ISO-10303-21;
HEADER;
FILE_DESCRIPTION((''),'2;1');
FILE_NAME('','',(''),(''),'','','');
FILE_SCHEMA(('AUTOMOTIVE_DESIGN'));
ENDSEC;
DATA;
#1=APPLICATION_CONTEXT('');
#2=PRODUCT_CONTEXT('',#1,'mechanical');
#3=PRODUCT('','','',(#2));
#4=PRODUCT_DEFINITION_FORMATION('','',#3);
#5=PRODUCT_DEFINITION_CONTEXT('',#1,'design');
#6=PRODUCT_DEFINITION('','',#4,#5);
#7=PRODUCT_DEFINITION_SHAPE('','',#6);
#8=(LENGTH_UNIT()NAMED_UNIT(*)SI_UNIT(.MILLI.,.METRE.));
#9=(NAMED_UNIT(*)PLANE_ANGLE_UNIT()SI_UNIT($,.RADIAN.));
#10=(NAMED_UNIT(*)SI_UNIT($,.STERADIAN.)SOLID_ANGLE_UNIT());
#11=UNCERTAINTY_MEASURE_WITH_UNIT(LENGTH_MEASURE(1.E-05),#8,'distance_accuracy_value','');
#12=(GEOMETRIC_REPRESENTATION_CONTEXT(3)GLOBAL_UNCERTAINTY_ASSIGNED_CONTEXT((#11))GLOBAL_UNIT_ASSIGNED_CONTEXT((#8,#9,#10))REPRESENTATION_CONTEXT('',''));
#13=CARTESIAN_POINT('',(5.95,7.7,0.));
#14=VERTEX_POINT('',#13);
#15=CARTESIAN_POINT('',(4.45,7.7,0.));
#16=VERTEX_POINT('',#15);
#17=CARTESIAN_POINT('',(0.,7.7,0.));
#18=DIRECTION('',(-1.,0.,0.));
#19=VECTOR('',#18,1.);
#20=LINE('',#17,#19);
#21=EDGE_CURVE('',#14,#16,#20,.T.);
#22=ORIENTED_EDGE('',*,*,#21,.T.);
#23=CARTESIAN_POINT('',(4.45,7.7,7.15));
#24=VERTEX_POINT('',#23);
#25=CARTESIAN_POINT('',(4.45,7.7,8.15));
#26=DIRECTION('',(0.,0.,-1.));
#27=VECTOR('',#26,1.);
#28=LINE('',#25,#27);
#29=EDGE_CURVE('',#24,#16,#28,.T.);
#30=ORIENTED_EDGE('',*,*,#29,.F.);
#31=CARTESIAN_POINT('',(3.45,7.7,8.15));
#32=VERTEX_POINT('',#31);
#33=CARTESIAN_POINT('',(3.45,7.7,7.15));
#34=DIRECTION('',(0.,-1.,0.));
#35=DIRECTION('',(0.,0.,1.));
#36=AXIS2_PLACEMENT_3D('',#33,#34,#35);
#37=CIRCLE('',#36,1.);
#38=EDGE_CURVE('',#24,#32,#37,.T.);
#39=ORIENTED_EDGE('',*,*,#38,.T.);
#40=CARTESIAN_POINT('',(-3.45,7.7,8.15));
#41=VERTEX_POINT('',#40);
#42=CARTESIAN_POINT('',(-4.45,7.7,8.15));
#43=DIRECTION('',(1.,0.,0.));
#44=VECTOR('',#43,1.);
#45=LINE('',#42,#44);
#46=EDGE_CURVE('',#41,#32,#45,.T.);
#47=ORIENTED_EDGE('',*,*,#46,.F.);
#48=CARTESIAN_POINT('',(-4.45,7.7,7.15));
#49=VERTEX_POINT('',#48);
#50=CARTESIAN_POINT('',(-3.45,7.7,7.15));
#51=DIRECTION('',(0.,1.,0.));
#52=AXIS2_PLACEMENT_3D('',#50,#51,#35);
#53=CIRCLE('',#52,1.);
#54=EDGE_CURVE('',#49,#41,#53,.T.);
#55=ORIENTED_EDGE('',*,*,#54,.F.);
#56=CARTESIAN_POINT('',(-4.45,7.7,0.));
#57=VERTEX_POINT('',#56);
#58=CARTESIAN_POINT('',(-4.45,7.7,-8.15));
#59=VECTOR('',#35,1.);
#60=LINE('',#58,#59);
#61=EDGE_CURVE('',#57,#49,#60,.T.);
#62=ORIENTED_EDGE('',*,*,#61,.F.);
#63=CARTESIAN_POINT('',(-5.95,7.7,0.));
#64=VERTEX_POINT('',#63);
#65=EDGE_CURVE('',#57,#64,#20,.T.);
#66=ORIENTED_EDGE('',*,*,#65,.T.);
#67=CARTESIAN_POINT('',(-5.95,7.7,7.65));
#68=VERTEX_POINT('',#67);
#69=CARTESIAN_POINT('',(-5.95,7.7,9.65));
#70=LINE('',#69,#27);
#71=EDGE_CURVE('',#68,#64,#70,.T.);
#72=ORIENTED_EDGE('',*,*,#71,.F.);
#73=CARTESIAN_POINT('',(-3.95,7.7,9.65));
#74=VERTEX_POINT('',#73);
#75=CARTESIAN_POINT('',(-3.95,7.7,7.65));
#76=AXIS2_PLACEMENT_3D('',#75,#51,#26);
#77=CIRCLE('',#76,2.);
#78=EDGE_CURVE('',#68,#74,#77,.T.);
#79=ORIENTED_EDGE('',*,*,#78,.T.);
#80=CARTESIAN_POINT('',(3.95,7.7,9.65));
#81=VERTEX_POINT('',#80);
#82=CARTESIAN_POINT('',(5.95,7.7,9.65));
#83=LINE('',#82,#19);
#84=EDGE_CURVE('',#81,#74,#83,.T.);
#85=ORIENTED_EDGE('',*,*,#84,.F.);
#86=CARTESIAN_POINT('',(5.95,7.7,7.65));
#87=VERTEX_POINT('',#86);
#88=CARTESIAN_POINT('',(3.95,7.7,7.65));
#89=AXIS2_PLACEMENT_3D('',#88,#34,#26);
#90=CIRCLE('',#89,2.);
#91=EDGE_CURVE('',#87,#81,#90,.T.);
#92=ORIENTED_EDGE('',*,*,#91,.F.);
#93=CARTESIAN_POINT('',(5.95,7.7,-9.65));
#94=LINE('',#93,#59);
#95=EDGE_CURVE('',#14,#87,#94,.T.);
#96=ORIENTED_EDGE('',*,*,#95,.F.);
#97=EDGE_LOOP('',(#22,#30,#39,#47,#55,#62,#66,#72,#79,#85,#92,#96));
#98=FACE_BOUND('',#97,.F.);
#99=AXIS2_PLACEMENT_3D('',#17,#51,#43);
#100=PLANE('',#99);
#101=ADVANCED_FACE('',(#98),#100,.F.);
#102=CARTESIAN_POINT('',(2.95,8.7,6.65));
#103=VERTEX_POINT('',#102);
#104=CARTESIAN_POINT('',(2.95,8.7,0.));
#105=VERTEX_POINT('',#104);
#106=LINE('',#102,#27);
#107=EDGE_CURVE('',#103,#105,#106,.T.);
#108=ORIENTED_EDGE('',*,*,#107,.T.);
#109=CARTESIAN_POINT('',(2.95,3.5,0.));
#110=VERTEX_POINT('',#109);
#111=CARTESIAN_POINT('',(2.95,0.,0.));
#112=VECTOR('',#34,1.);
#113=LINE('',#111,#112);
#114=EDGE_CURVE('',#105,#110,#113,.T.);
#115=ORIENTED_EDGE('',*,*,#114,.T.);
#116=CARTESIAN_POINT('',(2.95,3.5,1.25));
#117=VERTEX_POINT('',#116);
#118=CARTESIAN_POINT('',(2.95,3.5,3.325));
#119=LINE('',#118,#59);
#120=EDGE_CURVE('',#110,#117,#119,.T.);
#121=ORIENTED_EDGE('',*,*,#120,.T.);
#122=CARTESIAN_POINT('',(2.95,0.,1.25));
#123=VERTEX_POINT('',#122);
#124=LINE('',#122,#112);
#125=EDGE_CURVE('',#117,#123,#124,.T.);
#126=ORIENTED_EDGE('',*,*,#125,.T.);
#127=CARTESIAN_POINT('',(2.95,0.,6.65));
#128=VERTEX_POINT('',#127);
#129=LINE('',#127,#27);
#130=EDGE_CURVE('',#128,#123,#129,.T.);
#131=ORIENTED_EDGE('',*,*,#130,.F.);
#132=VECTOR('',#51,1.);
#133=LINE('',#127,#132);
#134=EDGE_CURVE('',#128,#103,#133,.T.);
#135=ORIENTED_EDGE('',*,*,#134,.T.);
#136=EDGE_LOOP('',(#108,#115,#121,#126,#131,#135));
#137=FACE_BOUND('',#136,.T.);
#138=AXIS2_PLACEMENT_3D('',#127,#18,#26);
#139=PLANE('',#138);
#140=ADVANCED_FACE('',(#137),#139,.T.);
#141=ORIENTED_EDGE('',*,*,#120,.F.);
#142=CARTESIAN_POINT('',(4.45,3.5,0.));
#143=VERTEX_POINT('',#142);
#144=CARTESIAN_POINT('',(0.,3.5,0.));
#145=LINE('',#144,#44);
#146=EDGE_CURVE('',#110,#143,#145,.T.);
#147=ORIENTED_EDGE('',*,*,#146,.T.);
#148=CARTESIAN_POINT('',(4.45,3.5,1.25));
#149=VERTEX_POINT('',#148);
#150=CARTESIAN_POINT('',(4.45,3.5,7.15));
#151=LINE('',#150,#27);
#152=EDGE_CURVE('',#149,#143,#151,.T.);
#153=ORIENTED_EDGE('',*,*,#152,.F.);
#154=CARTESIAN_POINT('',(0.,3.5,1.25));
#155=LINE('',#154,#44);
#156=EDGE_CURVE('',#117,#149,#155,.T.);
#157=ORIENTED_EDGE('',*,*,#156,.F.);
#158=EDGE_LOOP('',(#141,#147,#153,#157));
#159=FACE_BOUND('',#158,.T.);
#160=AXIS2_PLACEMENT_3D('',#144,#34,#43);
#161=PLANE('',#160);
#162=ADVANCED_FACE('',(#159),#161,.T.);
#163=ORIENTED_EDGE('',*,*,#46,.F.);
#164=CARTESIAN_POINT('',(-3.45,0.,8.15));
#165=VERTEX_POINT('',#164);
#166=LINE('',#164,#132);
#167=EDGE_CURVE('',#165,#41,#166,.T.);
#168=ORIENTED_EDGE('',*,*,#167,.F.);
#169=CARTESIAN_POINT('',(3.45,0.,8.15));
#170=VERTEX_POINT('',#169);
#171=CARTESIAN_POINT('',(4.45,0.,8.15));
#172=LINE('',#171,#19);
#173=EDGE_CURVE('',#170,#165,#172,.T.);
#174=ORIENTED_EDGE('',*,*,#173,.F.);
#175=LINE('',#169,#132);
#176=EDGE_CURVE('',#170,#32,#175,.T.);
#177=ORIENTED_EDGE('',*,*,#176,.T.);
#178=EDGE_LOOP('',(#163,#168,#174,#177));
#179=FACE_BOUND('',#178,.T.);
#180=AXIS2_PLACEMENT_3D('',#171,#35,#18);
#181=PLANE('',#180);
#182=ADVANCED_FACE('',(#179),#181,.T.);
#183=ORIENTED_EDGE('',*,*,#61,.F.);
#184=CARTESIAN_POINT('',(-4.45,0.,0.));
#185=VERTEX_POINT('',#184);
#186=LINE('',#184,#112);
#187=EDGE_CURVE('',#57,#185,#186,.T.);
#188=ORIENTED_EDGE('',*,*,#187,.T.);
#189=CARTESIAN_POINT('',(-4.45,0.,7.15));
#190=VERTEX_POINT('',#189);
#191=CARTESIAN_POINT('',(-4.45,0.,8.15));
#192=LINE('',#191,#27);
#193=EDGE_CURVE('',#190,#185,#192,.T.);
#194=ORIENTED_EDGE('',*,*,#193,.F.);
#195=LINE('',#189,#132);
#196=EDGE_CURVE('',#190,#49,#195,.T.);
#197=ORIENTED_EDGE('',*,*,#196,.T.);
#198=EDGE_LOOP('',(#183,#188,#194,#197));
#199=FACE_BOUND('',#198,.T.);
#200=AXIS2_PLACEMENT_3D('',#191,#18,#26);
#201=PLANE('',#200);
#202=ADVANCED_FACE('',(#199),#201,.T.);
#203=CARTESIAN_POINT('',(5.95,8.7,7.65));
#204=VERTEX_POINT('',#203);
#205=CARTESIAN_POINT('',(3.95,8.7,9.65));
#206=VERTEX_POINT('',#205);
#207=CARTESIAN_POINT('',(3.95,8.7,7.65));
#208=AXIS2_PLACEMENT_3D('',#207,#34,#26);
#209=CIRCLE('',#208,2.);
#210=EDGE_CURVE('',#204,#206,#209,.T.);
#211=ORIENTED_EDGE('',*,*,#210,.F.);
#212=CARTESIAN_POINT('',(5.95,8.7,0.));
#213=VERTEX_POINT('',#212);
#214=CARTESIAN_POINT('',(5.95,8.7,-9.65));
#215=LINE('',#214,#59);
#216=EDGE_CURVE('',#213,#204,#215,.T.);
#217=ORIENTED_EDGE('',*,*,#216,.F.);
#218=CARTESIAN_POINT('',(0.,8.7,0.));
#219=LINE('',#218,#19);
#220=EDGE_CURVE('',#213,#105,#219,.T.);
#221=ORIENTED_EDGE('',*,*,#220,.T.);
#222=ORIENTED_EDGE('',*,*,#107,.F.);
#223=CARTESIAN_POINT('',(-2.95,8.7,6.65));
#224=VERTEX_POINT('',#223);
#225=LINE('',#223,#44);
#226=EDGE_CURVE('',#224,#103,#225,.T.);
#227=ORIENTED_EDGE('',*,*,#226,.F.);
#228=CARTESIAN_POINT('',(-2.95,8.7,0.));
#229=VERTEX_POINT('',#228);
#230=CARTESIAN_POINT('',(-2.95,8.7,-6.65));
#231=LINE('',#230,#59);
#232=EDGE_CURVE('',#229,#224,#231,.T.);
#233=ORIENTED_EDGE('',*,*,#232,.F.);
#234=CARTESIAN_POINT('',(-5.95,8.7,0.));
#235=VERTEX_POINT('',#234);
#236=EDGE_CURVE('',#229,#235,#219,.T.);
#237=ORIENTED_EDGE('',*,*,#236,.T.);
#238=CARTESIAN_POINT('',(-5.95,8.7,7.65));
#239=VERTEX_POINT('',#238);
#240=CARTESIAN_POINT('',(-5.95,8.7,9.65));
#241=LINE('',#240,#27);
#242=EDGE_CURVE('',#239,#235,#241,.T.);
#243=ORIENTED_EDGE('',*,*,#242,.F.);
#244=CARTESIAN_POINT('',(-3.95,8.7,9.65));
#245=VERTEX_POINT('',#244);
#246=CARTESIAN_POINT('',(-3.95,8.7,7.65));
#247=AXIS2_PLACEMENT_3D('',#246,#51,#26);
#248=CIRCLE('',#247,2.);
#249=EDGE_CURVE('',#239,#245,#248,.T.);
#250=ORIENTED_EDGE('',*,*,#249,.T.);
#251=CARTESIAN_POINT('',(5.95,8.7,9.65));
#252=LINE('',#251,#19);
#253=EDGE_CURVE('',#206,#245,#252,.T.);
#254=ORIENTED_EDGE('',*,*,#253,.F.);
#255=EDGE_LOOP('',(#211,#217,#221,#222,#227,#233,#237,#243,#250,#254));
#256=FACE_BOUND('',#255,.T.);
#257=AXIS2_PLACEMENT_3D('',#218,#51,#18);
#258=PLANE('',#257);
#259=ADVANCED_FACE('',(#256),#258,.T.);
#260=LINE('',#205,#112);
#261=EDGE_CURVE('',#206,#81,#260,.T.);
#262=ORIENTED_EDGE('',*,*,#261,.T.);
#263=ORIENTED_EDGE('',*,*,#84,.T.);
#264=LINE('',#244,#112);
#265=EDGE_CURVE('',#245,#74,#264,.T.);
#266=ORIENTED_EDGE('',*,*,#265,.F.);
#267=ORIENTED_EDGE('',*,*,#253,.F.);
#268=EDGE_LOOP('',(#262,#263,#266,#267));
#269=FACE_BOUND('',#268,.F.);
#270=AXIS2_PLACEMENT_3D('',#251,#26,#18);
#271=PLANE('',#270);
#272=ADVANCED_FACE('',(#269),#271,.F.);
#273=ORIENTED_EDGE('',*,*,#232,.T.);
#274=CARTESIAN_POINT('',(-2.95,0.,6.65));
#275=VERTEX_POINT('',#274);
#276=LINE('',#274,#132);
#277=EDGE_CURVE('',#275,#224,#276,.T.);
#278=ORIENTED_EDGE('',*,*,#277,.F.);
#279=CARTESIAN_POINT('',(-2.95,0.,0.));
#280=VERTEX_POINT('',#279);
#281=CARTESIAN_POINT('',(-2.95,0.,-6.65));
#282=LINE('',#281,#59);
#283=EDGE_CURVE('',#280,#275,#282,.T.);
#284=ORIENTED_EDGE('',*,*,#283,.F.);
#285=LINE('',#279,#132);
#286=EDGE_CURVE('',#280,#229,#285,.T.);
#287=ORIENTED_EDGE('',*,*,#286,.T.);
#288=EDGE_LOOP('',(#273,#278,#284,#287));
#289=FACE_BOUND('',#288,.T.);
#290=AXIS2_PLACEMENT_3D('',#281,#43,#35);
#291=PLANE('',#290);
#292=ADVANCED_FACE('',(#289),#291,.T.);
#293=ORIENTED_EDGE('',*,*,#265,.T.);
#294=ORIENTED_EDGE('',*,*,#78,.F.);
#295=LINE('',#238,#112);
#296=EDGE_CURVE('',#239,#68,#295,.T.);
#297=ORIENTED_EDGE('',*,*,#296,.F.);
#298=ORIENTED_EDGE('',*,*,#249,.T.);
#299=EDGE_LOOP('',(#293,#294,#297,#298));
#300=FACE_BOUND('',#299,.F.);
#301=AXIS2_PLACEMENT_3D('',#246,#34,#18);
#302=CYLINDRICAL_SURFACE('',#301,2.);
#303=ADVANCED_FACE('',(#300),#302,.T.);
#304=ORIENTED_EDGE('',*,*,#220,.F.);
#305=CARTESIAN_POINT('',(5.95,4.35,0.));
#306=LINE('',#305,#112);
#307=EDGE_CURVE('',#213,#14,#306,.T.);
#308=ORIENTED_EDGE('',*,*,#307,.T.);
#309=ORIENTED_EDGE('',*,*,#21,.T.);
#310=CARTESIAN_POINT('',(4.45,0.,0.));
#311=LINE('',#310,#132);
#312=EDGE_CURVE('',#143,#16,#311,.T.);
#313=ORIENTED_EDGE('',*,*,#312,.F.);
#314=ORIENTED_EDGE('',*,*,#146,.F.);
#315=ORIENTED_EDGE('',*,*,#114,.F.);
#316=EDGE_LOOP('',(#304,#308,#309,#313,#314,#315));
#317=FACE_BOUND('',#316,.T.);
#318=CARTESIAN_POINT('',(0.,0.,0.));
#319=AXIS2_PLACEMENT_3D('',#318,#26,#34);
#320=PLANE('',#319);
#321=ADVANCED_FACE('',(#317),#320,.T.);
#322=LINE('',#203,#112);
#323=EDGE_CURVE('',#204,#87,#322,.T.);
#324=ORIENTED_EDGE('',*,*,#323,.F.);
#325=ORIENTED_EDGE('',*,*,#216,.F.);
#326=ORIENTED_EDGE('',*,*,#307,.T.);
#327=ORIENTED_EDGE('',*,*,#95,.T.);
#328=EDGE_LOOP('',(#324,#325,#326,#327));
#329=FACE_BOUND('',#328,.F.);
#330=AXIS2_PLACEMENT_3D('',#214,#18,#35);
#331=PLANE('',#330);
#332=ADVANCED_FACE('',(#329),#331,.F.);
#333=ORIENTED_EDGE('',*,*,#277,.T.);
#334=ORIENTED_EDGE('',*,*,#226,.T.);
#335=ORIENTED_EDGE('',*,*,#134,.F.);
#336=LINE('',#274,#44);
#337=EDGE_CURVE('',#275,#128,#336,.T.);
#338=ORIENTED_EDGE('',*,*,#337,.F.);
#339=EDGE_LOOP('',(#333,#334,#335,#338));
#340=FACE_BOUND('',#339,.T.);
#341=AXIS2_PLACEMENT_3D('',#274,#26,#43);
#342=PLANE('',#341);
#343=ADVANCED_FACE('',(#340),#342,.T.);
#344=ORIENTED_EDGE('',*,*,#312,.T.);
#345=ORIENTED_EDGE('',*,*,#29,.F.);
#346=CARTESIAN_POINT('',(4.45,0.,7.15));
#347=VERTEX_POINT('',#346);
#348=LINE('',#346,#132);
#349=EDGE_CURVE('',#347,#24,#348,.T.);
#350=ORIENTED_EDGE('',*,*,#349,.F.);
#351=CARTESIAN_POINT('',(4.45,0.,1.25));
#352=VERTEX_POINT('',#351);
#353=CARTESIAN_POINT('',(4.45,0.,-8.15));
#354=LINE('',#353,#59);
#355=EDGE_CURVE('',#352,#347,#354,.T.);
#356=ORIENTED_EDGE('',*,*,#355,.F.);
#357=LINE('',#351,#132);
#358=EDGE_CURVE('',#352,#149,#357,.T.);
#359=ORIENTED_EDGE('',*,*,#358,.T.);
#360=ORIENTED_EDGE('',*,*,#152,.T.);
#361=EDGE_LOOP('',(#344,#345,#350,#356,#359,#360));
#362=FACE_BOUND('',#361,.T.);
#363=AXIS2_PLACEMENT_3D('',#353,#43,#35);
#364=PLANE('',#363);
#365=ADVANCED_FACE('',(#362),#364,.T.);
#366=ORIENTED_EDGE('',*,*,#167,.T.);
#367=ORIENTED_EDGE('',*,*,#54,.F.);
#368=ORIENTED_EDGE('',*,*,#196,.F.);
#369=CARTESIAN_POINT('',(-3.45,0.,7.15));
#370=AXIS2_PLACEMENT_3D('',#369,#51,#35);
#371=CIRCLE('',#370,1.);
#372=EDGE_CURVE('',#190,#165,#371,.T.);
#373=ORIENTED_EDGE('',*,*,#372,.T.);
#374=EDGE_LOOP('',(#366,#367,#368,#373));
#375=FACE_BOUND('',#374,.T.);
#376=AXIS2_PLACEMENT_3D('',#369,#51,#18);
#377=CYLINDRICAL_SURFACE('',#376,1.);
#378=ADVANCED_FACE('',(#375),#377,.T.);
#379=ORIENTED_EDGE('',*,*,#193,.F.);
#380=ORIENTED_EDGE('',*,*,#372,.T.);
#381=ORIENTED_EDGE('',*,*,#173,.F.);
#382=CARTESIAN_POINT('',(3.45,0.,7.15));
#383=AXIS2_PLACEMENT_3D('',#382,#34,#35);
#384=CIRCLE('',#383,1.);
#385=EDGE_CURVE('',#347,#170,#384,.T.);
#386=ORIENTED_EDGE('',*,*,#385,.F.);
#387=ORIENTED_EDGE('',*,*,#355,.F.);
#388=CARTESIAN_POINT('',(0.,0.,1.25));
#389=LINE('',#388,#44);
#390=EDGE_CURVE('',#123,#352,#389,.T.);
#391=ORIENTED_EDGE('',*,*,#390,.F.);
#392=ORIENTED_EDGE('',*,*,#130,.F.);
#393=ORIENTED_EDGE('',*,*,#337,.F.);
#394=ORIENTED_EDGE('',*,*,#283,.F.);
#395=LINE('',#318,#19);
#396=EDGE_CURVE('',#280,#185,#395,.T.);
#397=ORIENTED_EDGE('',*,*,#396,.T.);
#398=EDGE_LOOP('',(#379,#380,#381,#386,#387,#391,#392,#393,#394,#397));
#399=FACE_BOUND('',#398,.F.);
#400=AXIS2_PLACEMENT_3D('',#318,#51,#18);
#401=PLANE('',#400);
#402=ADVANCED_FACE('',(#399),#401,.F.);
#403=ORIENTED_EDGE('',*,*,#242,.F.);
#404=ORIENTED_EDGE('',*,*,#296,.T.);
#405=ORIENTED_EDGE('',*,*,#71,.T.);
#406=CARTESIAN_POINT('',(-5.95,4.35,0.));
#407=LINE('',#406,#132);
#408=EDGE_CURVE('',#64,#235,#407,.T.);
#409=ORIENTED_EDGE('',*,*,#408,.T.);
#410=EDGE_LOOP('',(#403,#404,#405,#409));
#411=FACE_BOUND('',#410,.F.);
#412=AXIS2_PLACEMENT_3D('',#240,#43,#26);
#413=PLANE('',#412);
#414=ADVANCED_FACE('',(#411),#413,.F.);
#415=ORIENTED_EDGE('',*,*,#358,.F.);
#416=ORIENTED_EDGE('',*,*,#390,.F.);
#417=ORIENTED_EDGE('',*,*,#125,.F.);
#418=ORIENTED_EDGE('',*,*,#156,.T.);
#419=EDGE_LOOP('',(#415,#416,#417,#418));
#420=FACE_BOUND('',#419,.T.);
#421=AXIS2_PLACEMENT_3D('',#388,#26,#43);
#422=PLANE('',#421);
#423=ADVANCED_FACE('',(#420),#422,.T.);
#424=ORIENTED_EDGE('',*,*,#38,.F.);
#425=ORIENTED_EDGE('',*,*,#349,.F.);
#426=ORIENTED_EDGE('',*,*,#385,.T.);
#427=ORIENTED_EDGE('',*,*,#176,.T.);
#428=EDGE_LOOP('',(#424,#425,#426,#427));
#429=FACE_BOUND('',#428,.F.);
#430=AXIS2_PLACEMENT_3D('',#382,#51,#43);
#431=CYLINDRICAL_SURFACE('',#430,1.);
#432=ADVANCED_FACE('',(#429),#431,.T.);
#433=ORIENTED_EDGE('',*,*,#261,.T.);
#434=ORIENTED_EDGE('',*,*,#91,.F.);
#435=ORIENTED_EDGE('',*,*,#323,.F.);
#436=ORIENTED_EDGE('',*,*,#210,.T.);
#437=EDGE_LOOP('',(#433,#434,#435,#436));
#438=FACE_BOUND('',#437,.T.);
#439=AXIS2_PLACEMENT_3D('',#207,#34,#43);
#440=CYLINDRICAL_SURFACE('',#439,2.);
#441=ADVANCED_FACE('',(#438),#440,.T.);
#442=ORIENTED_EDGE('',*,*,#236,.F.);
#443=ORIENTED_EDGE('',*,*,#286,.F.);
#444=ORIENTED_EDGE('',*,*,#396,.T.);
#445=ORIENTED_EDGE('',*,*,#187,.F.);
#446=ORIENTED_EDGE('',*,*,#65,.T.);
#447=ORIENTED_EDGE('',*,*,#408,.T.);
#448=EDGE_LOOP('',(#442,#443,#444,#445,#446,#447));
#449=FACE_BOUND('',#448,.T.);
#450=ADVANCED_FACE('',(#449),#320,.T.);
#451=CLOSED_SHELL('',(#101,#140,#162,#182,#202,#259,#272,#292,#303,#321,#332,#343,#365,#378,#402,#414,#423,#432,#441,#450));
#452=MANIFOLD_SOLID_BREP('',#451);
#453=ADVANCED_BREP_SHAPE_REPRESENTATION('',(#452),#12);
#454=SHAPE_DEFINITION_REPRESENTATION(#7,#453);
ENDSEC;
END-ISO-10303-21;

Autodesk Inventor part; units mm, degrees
ref_plane "YZ Plane" through (0, 0, 0) normal (1, 0, 0) x (0, 1, 0)
ref_plane "XZ Plane" through (0, 0, 0) normal (0, 1, 0) x (-1, 0, 0)
ref_plane "XY Plane" through (0, 0, 0) normal (0, 0, 1) x (1, 0, 0)
sketch "Boceto1" plane through (0, 0, 0) normal (0, 1, 0) x (-1, 0, 0)
  line L0 (-2.95, -6.65) -> (2.95, -6.65)
  line L1 (2.95, -6.65) -> (2.95, 6.65)
  line L2 (2.95, 6.65) -> (-2.95, 6.65)
  line L3 (-2.95, 6.65) -> (-2.95, -6.65)
  line L4 (-2.95, -6.65) -> (2.95, 6.65) construction
  line L5 (2.95, -6.65) -> (-2.95, 6.65) construction
  line L6 (4.45, 8.15) -> (4.45, -8.15)
  line L7 (4.45, -8.15) -> (-4.45, -8.15)
  line L8 (-4.45, -8.15) -> (-4.45, 8.15)
  line L9 (-4.45, 8.15) -> (4.45, 8.15)
  point P0 (0, 0)
  dimension "d0" = 5.9
  dimension "d1" = 13.3
  dimension "d2" = 1.5
extrude "Extrusión1" add sketch "Boceto1" along normal blind 8.7
sketch "Boceto2" plane through (0, 8.7, 0) normal (0, 1, 0) x (1, 0, 0)
  line L0 (4.45, -8.15) -> (4.45, 8.15) projected
  line L1 (4.45, 8.15) -> (-4.45, 8.15) projected
  line L2 (-4.45, 8.15) -> (-4.45, -8.15) projected
  line L3 (-4.45, -8.15) -> (4.45, -8.15) projected
  line L4 (2.95, 6.65) -> (2.95, -6.65) projected
  line L5 (2.95, -6.65) -> (-2.95, -6.65) projected
  line L6 (-2.95, -6.65) -> (-2.95, 6.65) projected
  line L7 (-2.95, 6.65) -> (2.95, 6.65) projected
  line L8 (-5.95, -9.65) -> (-5.95, 9.65)
  line L9 (-5.95, 9.65) -> (5.95, 9.65)
  line L10 (5.95, 9.65) -> (5.95, -9.65)
  line L11 (5.95, -9.65) -> (-5.95, -9.65)
  point P0 (0, 0)
  dimension "d5" = 1.5
extrude "Extrusión2" add sketch "Boceto2" against normal blind 1 contours L8 L9 L10 L11
fillet "Empalme1" radius 2 4 edges at (5.95, 8.2, 9.65) (-5.95, 8.2, 9.65) (5.95, 8.2, -9.65) (-5.95, 8.2, -9.65)
fillet "Empalme2" radius 1 4 edges at (4.45, 3.85, 8.15) (-4.45, 3.85, 8.15) (4.45, 3.85, -8.15) (-4.45, 3.85, -8.15)
sketch "Boceto3" plane through (0, 0, 0) normal (0, -1, 0) x (1, 0, 0)
  line L0 (0, 0) -> (0, -1.25)
  line L1 (0, -1.25) -> (4.45, -1.25)
  line L2 (4.45, 7.15) -> (4.45, -7.15) projected
  line L3 (0, 0) -> (0, 1.25)
  line L4 (0, 1.25) -> (4.45, 1.25)
  dimension "d10" = 1.25
  dimension "d11" = 1.25
extrude "Extrusión3" cut sketch "Boceto3" against normal blind 3.5
split "Dividir1" plane through (0, 0, 0) removes the side toward (0, 0, -1)
properties part number "PIeza Conector USB"
